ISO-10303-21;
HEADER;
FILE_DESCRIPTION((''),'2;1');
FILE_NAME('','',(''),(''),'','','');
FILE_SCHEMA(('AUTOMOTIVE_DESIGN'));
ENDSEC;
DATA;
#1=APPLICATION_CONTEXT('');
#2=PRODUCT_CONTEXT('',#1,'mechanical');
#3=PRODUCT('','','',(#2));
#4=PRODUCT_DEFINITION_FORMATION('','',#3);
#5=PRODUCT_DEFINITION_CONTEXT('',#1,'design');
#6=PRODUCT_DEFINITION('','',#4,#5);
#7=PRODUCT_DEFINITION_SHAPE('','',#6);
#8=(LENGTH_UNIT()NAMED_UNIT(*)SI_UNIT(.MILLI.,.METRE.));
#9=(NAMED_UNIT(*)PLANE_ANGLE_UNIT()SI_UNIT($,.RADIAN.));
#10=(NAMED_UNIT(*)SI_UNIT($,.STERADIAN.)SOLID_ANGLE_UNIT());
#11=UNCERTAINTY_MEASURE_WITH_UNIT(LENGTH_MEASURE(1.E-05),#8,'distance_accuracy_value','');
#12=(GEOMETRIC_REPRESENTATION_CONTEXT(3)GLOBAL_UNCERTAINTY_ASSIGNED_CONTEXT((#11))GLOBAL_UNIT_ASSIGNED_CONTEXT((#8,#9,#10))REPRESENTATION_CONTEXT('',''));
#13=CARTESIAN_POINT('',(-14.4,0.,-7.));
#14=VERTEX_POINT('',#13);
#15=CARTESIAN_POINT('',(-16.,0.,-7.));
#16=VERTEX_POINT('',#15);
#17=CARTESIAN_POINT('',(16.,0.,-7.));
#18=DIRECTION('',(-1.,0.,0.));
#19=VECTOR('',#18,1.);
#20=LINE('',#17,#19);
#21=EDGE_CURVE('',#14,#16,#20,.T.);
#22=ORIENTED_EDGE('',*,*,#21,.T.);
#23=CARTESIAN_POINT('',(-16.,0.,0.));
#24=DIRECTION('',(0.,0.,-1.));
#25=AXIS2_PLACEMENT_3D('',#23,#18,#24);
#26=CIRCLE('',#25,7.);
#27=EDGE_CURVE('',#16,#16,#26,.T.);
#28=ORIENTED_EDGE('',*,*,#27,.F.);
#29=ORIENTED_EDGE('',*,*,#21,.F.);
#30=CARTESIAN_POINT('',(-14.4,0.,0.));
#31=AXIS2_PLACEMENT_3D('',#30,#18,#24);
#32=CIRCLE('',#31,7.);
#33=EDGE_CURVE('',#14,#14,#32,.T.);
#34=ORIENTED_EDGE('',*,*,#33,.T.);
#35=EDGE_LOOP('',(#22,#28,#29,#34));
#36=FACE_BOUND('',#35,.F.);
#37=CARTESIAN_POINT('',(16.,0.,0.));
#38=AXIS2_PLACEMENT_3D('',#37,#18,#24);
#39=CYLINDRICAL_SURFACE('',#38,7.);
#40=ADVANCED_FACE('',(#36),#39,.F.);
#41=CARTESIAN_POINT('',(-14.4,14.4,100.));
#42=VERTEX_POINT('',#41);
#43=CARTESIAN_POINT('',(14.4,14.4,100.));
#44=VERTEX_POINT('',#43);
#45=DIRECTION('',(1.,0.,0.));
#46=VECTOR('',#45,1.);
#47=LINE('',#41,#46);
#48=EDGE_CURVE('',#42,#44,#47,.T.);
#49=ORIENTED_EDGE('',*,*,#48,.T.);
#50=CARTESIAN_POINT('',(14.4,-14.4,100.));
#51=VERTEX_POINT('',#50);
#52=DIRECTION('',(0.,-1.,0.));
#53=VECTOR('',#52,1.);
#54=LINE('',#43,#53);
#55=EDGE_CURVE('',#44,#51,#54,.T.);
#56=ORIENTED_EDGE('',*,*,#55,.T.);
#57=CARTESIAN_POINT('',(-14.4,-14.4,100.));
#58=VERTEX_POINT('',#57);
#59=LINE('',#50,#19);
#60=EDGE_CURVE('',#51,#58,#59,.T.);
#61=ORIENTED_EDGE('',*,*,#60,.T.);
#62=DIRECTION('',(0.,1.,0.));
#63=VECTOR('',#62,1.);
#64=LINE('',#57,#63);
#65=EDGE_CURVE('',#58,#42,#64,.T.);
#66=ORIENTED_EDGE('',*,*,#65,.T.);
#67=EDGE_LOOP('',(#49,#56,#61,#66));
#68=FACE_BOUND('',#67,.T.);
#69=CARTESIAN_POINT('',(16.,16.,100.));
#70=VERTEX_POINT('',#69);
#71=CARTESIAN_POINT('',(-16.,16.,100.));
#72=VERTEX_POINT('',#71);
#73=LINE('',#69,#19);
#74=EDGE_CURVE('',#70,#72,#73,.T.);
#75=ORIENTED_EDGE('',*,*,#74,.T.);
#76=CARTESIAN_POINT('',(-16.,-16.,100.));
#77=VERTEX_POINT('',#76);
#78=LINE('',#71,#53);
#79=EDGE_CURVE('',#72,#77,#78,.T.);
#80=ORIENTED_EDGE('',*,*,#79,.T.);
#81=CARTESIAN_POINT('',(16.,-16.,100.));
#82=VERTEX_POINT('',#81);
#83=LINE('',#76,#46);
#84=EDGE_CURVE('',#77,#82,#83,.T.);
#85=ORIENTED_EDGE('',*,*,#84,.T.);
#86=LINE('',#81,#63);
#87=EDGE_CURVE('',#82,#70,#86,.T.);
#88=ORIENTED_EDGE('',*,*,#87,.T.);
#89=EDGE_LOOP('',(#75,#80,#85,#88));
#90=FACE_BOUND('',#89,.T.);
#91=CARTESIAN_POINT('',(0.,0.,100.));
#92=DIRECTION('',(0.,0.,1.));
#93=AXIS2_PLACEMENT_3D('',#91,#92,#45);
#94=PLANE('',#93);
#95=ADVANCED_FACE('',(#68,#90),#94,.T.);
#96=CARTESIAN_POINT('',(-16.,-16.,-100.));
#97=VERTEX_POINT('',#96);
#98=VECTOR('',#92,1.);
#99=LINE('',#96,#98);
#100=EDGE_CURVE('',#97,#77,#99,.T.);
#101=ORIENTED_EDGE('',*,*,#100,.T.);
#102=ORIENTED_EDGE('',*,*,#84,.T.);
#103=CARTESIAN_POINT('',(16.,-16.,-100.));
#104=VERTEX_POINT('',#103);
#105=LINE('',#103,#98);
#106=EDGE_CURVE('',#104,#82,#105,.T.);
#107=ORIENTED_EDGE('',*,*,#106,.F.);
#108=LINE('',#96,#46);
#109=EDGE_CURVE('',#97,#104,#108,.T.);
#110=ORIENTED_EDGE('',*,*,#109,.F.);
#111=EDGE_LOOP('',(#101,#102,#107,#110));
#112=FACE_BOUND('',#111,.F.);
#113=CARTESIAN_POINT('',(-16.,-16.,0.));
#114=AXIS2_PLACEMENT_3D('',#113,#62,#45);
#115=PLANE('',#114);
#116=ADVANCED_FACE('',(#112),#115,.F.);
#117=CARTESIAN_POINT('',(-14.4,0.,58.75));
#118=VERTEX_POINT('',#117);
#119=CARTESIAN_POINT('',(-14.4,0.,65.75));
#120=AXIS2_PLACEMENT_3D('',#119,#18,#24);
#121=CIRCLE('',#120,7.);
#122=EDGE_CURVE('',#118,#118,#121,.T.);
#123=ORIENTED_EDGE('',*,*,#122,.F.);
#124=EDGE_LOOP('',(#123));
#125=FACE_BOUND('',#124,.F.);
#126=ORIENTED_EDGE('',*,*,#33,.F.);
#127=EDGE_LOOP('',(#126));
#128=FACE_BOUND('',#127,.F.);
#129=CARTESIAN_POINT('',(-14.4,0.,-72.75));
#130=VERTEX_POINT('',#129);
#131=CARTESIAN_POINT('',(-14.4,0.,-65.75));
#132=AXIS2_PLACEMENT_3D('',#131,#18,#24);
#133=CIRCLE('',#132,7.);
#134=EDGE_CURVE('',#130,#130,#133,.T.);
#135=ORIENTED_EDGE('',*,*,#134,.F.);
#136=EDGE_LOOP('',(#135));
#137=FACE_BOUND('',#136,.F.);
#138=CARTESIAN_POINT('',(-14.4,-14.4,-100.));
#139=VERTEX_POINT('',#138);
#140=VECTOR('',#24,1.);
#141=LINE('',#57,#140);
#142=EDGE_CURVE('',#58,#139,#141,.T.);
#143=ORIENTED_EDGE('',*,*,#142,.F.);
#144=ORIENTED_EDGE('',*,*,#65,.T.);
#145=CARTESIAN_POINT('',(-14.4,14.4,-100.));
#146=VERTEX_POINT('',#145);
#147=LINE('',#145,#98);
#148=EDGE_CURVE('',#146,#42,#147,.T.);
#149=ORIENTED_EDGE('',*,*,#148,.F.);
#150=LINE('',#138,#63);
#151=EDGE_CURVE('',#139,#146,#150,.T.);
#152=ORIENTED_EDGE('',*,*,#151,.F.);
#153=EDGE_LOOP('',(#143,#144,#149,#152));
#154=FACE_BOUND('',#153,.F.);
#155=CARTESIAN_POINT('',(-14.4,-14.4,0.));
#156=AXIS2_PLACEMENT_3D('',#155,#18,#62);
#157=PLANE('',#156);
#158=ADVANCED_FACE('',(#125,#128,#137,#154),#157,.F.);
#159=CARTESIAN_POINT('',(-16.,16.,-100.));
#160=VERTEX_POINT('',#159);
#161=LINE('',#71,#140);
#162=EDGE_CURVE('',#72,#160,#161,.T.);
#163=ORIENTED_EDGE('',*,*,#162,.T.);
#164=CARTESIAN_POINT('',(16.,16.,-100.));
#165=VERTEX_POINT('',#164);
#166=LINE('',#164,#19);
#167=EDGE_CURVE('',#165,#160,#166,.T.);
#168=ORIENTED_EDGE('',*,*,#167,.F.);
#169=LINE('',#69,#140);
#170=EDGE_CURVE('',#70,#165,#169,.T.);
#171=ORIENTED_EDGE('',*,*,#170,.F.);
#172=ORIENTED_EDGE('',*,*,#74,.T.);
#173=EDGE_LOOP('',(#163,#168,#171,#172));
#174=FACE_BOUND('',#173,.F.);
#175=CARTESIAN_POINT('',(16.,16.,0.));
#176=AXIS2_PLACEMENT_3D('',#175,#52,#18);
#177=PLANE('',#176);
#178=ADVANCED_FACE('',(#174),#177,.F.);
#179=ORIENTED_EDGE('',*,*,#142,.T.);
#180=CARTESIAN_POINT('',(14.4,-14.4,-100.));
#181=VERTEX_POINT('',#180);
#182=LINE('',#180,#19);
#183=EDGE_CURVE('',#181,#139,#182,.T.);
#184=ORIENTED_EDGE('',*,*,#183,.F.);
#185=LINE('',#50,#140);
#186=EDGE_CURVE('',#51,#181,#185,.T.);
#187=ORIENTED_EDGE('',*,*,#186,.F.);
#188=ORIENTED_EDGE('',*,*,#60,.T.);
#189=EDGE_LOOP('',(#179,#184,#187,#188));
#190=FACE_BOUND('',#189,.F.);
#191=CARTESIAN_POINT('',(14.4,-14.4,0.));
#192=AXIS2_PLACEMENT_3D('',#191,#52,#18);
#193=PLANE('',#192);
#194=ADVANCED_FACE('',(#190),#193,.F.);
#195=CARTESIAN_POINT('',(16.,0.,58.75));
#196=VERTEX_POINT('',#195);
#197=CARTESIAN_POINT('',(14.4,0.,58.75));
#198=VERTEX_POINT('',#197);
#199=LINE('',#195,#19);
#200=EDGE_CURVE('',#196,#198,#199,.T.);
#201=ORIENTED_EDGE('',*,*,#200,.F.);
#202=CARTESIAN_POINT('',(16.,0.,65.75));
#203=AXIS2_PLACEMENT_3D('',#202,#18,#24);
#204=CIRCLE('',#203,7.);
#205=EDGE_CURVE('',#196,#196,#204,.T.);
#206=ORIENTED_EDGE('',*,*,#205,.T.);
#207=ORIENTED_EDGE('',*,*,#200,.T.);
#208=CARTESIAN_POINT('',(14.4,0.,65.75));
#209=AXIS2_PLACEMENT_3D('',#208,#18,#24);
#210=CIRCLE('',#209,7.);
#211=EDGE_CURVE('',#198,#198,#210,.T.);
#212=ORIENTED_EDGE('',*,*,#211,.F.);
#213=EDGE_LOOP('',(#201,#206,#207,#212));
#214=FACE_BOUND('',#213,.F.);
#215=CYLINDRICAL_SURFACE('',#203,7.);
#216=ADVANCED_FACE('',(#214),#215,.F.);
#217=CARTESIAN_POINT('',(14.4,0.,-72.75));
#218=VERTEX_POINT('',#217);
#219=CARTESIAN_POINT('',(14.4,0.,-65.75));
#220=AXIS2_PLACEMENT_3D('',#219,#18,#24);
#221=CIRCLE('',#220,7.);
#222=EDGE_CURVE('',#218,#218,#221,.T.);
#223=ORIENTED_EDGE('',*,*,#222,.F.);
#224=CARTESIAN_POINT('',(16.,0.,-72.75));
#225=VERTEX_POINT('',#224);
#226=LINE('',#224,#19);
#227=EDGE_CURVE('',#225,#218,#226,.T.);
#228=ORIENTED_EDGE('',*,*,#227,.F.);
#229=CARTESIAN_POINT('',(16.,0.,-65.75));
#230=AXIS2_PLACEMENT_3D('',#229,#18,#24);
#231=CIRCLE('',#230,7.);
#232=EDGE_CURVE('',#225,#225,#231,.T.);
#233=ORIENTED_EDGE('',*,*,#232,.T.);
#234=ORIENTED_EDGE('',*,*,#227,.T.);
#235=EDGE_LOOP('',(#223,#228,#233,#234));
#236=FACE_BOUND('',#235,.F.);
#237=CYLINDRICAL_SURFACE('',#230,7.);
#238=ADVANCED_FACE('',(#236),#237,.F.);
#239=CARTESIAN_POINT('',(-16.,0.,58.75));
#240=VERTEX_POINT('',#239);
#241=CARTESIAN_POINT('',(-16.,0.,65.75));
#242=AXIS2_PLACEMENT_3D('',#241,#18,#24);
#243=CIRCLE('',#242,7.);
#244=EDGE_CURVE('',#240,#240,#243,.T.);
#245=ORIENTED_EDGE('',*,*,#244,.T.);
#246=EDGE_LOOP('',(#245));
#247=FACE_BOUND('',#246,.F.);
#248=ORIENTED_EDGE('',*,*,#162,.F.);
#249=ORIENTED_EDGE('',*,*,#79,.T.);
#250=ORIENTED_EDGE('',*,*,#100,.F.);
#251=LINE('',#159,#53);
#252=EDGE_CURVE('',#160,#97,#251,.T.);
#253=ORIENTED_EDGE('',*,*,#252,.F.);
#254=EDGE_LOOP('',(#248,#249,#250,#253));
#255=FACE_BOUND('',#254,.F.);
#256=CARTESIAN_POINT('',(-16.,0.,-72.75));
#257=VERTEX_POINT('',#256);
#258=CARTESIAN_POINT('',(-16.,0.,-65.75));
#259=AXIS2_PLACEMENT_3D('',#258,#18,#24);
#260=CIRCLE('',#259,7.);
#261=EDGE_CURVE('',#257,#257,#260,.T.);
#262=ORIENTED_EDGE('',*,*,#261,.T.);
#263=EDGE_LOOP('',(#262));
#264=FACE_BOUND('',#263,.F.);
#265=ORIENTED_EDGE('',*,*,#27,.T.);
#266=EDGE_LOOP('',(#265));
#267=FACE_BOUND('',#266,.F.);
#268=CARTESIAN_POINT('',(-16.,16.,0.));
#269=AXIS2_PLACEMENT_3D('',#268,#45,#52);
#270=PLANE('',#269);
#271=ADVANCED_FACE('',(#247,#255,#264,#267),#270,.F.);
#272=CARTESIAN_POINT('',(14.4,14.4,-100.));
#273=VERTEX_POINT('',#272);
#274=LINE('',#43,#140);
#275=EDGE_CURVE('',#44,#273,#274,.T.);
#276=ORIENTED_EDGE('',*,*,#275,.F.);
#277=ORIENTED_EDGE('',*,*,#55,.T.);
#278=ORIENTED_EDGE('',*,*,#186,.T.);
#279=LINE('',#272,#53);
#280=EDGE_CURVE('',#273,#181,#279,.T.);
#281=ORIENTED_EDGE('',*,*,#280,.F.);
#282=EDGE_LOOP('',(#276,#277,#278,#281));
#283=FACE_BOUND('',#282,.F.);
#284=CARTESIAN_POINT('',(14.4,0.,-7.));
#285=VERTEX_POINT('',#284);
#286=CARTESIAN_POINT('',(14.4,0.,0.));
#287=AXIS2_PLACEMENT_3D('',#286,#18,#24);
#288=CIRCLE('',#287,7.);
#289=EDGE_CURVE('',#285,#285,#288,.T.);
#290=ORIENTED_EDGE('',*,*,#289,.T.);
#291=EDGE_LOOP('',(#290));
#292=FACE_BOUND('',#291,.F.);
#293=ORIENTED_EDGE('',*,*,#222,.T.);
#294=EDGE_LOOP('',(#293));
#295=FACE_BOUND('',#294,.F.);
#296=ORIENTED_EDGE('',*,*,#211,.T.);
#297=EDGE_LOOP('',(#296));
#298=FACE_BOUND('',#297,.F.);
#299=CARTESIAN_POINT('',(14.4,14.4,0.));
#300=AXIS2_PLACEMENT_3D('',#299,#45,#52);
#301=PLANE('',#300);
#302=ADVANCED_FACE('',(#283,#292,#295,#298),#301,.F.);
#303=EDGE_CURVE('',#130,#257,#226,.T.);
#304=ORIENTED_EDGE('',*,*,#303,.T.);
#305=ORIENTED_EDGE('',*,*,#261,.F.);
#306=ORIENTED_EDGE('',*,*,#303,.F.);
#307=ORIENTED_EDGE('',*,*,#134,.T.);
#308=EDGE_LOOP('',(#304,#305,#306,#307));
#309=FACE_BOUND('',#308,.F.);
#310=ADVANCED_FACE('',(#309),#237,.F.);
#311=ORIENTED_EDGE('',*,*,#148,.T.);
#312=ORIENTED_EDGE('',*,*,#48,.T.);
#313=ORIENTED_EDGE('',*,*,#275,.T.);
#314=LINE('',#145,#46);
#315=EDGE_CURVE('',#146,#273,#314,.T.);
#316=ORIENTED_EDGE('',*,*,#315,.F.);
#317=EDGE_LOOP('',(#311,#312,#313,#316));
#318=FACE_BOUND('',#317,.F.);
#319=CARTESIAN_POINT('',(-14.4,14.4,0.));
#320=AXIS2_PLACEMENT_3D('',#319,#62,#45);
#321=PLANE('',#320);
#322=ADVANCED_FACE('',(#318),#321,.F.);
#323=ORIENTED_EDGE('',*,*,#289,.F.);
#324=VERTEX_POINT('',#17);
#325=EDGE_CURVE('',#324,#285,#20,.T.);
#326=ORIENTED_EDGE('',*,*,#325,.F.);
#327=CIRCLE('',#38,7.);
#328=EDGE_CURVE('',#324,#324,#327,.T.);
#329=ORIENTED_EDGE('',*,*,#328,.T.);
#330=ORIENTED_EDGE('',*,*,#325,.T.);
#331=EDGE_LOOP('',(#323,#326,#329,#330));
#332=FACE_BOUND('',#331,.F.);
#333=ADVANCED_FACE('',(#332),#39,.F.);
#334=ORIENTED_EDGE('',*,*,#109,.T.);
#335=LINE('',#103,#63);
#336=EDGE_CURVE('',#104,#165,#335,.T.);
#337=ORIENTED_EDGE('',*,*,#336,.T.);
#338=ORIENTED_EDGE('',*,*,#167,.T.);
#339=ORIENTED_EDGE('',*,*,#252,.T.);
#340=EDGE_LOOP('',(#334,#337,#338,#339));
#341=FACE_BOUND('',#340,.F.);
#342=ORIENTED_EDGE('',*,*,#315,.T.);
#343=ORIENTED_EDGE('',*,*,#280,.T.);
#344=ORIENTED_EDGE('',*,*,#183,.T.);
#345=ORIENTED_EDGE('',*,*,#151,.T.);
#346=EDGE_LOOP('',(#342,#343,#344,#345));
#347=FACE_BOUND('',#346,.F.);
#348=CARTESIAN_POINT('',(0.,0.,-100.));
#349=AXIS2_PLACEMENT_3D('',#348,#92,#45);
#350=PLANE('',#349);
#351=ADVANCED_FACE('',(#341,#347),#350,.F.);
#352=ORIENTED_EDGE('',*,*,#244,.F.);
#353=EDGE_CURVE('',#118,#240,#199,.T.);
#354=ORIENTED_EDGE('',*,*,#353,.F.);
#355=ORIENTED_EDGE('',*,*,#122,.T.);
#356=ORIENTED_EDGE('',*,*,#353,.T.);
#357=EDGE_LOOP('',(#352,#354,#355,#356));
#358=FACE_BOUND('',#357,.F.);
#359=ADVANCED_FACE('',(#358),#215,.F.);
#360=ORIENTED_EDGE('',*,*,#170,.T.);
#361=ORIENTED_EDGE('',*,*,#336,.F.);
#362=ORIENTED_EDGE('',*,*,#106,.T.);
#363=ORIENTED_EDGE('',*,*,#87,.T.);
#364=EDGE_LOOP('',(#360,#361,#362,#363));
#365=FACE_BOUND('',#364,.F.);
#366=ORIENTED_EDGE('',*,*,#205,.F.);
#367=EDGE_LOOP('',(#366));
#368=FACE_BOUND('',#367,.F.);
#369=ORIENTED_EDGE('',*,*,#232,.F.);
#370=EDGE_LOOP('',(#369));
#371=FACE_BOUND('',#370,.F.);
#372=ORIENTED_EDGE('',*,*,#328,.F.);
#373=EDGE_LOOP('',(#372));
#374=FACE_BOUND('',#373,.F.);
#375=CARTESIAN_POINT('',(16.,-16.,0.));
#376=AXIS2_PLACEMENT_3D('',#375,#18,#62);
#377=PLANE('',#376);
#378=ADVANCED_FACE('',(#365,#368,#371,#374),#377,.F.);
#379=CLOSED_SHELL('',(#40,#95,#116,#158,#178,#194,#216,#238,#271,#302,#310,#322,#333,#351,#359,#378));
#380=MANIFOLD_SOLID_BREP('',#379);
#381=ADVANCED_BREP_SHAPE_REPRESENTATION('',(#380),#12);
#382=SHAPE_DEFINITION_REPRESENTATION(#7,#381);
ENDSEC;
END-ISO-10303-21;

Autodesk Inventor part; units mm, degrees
ref_plane "YZ Plane" through (0, 0, 0) normal (1, 0, 0) x (0, 1, 0)
ref_plane "XZ Plane" through (0, 0, 0) normal (0, 1, 0) x (-1, 0, 0)
sketch "スケッチ1" plane through (0, 0, 0) normal (0, 0, 1) x (1, 0, 0)
  line L0 (-16, -16) -> (16, -16)
  line L1 (16, -16) -> (16, 16)
  line L2 (16, 16) -> (-16, 16)
  line L3 (-16, 16) -> (-16, -16)
  line L4 (-16, -16) -> (16, 16) construction
  line L5 (16, -16) -> (-16, 16) construction
  line L6 (-14.4, 14.4) -> (14.4, 14.4)
  line L7 (14.4, 14.4) -> (14.4, -14.4)
  line L8 (14.4, -14.4) -> (-14.4, -14.4)
  line L9 (-14.4, -14.4) -> (-14.4, 14.4)
  point P0 (0, 0)
  dimension "d0" = 32
  dimension "d1" = 32
  dimension "d2" = 1.6
extrude "押し出し1" add sketch "スケッチ1" along normal mid plane 200
ref_plane "作業平面1" through (16, -16, 100) normal (1, 0, 0) x (0, 0, -1)
sketch "スケッチ6" plane through (16, -16, 100) normal (1, 0, 0) x (0, 0, -1)
  line L0 (0, 0) -> (0, 32) projected
  line L1 (200, 32) -> (200, 0) projected
  point P0 (100, 16)
  point P1 (34.25, 16)
  point P2 (100, 16)
  point P3 (165.75, 16)
  dimension "d20" = 34.25
  dimension "d21" = 34.25
hole "穴2" at (16, 0, 65.75) at (16, 0, 0) at (16, 0, -65.75) direction (-1, 0, 0) diameter 14 end through all
properties part number "Pipe横"
